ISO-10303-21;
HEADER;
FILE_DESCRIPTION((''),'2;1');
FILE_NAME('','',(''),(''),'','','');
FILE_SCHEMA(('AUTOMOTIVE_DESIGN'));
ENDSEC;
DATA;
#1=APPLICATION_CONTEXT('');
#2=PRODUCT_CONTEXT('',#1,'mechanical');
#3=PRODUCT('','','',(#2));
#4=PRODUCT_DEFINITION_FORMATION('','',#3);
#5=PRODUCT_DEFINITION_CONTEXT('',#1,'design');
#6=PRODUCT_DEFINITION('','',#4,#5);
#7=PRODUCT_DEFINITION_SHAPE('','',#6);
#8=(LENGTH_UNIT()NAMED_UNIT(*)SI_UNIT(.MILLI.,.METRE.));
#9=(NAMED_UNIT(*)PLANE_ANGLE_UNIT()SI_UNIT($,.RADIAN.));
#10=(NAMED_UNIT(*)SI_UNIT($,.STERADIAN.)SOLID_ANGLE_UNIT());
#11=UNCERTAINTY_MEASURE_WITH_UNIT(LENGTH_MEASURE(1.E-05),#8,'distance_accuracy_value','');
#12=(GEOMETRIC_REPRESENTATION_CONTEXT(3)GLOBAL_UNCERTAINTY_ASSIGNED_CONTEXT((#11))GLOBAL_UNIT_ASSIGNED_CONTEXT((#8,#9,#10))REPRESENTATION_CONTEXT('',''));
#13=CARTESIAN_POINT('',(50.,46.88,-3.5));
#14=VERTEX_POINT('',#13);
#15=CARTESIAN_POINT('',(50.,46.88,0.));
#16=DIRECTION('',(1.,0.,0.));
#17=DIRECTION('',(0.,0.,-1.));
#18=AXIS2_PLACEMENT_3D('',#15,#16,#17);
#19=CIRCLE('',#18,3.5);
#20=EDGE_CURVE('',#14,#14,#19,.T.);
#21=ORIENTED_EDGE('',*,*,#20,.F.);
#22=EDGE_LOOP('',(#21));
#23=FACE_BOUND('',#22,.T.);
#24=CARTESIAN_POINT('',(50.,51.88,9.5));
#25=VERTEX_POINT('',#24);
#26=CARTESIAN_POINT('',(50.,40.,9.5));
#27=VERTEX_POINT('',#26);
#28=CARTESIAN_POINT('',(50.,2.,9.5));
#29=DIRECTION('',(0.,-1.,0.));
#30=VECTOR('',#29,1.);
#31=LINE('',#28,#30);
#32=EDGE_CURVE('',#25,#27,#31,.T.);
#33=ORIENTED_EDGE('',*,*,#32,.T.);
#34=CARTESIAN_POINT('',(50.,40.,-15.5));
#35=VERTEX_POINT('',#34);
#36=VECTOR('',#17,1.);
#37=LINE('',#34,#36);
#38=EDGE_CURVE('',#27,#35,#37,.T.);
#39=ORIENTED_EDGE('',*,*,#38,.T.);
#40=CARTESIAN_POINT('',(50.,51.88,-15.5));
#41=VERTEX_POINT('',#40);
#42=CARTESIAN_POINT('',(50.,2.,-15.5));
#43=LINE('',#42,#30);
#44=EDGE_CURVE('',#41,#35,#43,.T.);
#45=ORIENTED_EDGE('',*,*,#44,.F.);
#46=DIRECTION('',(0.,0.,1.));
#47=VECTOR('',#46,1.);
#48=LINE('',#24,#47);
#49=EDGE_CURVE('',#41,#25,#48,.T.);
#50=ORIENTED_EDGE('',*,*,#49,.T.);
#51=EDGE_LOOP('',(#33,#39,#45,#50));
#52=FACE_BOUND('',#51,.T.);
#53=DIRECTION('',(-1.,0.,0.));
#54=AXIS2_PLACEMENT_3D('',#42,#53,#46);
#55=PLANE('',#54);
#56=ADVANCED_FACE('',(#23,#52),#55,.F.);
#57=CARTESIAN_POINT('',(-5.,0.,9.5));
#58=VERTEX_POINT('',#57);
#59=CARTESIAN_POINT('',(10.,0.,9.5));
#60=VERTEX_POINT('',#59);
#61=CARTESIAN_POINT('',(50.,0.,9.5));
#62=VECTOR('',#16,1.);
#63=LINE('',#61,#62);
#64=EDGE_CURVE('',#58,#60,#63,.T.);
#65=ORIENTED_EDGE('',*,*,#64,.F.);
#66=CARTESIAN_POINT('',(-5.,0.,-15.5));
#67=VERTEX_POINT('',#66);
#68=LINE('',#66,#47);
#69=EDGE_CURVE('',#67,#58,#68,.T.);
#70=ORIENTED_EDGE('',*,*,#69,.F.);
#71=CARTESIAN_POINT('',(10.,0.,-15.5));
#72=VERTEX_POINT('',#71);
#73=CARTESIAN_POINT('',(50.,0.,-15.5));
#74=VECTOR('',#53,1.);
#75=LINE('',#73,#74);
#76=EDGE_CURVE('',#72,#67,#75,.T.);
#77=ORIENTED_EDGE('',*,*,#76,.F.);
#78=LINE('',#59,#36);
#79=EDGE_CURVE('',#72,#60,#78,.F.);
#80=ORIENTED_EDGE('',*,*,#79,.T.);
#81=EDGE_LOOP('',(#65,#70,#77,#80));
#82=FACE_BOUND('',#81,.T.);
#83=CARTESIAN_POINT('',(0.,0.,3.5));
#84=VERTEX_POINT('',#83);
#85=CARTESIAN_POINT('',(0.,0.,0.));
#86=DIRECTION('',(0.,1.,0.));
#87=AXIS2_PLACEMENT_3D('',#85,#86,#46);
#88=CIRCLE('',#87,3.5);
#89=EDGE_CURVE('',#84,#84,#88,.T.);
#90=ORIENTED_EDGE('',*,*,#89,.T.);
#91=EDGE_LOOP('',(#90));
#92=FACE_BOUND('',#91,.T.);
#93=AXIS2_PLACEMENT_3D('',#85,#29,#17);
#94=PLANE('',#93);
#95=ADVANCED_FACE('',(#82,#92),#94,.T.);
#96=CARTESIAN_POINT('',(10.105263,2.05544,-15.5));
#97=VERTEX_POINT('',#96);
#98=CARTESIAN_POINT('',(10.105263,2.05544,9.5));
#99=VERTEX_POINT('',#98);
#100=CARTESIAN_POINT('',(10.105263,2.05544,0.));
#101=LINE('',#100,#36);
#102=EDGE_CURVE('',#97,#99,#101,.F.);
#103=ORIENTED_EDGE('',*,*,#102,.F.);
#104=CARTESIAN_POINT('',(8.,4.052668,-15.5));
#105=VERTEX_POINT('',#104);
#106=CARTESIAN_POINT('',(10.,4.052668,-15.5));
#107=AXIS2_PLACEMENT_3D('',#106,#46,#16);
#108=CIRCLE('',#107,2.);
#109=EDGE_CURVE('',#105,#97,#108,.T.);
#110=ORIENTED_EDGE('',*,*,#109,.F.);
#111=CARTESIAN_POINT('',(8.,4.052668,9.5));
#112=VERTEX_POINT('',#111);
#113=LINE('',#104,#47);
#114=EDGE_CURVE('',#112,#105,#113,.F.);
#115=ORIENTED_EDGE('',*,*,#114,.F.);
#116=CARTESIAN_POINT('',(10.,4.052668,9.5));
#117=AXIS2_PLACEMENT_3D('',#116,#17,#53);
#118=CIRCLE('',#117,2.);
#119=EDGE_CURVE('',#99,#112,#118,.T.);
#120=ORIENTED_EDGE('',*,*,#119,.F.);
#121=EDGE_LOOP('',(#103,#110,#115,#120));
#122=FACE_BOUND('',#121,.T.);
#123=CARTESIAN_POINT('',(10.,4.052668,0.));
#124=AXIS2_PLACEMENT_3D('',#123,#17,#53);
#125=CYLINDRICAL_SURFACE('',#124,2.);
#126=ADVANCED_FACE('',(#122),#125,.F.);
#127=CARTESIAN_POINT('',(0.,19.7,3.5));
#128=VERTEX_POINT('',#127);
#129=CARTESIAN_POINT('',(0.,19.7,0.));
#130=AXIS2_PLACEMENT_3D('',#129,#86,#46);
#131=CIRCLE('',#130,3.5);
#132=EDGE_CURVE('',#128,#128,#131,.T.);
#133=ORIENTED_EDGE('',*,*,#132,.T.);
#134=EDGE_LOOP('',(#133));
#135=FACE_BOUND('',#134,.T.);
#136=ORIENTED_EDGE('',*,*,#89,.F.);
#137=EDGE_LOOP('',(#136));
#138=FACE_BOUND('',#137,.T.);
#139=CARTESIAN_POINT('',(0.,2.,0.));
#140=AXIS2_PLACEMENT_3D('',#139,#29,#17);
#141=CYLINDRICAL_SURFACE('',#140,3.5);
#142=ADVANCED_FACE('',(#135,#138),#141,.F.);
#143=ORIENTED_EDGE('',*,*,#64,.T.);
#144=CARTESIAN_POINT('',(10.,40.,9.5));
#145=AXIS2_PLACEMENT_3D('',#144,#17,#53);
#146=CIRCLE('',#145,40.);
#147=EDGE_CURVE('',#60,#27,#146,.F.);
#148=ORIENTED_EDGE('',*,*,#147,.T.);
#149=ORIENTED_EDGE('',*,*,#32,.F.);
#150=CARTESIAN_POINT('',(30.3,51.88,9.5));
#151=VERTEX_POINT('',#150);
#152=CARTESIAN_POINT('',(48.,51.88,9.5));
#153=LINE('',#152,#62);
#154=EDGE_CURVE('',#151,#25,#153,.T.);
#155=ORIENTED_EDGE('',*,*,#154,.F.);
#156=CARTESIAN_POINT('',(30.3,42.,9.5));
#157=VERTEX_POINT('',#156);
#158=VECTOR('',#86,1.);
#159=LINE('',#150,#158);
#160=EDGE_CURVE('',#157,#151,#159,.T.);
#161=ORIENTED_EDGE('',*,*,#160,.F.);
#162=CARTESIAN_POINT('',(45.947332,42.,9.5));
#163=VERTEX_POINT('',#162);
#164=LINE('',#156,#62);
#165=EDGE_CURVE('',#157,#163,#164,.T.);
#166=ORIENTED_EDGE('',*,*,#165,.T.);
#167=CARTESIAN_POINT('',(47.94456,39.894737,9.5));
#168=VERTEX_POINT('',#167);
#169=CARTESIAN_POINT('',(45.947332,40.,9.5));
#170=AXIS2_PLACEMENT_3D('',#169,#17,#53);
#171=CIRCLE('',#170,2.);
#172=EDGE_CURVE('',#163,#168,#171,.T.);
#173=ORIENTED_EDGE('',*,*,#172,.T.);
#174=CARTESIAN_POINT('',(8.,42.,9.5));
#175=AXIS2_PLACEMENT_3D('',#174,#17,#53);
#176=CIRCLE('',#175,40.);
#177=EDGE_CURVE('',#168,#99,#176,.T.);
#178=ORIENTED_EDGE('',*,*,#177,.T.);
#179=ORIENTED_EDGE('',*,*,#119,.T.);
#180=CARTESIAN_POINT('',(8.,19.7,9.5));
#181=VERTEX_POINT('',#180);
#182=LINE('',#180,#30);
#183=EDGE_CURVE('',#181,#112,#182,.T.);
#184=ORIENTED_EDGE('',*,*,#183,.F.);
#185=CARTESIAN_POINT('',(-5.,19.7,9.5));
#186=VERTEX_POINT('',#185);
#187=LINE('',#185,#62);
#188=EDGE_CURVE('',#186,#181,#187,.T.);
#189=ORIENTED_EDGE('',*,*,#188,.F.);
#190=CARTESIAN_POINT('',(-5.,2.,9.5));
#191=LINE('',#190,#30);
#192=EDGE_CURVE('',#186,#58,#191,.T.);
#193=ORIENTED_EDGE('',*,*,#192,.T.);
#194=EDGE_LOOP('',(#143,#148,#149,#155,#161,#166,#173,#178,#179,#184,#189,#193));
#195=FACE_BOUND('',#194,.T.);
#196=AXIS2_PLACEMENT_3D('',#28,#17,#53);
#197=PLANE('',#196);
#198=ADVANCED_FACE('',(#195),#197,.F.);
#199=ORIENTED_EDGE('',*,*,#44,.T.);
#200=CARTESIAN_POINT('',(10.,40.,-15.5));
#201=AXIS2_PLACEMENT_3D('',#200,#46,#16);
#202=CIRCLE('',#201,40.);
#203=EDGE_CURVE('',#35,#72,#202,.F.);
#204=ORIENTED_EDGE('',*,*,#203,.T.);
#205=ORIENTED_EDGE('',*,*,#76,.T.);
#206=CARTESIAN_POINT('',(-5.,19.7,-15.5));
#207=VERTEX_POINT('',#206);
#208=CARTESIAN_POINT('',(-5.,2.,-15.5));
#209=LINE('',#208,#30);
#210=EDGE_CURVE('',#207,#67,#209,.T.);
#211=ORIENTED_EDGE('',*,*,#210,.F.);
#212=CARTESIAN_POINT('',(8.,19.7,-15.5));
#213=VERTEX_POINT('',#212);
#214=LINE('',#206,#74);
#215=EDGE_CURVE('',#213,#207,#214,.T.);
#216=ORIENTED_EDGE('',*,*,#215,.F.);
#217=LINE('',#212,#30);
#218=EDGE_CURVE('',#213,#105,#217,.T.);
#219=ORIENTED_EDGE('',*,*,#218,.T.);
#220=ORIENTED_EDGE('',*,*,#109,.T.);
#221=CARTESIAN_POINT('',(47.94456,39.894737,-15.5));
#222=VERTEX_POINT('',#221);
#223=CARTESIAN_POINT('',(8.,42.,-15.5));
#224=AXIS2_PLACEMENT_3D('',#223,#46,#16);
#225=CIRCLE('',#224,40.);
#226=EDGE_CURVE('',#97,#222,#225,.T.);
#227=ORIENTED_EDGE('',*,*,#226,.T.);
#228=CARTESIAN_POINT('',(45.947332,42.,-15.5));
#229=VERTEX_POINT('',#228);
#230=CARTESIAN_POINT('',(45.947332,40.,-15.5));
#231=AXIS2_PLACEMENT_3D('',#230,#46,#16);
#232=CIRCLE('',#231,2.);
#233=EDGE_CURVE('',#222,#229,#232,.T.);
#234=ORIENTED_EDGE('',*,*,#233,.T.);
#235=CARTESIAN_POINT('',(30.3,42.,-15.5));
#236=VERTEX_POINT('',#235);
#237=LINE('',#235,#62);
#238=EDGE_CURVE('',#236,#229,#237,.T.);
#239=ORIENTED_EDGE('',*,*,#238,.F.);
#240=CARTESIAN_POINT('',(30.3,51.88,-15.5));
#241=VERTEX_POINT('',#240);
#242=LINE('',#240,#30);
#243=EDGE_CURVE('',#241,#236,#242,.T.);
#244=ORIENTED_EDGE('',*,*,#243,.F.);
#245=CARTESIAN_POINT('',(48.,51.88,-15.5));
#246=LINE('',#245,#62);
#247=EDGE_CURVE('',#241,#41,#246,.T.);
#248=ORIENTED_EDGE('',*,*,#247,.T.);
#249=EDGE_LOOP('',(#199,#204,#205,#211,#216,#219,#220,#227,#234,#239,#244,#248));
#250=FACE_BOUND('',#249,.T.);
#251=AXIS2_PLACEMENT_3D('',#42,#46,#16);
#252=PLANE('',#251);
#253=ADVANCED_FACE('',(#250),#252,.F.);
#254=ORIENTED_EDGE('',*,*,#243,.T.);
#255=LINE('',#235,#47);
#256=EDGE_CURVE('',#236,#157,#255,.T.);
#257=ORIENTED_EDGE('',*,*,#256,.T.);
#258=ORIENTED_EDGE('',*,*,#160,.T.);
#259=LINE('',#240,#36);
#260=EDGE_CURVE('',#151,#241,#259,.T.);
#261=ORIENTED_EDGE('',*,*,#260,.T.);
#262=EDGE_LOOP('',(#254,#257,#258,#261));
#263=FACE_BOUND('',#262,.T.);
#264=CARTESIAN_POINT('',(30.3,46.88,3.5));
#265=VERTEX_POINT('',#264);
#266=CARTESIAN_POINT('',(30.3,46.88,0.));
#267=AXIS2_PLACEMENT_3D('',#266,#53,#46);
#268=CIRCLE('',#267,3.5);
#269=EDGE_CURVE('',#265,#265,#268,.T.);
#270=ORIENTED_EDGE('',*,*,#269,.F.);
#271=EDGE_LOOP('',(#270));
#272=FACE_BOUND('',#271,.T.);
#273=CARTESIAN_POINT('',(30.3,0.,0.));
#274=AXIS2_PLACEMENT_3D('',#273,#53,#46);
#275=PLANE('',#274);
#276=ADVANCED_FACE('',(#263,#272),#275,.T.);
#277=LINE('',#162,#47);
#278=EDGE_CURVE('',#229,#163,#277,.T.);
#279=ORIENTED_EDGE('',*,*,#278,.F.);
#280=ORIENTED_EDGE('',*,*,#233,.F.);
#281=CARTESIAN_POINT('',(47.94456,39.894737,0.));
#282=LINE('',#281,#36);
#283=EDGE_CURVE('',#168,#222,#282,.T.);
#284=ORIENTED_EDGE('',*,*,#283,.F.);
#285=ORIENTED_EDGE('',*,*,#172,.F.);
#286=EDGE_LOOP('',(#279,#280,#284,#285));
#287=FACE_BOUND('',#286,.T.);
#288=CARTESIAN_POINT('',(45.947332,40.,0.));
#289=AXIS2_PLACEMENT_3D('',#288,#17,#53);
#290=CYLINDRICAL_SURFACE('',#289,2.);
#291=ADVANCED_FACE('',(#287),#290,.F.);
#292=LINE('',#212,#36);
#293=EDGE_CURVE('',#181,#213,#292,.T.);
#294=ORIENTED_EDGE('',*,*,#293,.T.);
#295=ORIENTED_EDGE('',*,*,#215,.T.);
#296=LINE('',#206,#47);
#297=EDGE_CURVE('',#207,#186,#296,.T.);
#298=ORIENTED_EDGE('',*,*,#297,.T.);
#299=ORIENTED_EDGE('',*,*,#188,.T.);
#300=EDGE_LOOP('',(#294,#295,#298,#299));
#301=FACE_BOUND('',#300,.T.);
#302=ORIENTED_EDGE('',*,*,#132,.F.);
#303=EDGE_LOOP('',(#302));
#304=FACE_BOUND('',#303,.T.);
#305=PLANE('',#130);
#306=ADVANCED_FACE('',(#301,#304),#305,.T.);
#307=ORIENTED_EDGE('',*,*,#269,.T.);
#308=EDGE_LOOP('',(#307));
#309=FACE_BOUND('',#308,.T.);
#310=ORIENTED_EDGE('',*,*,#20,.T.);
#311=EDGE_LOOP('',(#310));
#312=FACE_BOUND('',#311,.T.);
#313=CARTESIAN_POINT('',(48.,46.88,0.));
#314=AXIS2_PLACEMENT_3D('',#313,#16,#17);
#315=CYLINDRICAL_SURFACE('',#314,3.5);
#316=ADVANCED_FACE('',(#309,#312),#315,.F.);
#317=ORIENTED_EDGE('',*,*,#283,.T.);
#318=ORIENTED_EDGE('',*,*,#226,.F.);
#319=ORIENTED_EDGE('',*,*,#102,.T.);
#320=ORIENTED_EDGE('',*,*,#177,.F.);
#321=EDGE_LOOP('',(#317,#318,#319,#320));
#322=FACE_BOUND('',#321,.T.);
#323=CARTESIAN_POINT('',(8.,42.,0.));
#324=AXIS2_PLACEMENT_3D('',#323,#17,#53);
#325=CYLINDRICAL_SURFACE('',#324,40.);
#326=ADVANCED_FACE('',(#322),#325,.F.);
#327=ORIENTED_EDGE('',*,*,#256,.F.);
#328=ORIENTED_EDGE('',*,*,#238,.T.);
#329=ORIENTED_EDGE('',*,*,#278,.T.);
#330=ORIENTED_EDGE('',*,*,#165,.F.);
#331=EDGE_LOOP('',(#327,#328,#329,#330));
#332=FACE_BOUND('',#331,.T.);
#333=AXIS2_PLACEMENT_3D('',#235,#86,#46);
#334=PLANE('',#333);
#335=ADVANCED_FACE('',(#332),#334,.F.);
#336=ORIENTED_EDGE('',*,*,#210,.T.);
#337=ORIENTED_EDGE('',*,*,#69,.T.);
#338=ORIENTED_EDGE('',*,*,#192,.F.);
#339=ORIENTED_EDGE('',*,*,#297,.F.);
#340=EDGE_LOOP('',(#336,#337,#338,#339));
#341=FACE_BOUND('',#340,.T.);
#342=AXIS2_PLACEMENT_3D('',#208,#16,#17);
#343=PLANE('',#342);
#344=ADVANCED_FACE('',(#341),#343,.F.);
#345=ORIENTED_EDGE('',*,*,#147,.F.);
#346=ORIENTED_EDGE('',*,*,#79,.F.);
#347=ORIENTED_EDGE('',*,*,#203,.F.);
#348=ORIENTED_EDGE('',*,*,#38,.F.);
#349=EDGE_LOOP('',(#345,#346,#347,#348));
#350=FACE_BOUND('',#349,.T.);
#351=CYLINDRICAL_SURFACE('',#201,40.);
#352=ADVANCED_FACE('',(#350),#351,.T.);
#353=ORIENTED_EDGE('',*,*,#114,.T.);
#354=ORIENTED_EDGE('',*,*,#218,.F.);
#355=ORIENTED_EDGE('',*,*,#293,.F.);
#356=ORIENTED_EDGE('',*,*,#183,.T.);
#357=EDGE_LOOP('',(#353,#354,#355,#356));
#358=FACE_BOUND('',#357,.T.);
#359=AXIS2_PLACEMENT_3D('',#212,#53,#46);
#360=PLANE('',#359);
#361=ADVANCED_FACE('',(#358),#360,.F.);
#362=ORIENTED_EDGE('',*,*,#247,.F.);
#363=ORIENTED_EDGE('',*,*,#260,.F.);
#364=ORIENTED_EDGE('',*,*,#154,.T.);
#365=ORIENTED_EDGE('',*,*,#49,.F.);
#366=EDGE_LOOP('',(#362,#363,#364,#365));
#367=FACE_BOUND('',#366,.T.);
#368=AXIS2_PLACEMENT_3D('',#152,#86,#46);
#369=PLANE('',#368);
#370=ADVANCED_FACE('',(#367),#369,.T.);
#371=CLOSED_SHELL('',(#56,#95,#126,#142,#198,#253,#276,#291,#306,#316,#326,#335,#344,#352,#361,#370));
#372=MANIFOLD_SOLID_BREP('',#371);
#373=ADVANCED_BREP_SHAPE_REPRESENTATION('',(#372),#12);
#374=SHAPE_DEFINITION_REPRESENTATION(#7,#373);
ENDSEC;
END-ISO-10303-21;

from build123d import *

# Parameters (mm, degrees)
SKETCH1_W           = 55
SKETCH1_H           = 25
SKETCH1_R           = 3.5
BOSS_EXTRUDE1_DEPTH = 2
SKETCH2_W           = 25
SKETCH2_H           = 51.88
SKETCH2_R           = 3.5
BOSS_EXTRUDE2_DEPTH = 2
FILLET2_R           = 40
SKETCH5_W           = 13
SKETCH5_H           = 25
SKETCH5_R           = 3.5
BOSS_EXTRUDE5_DEPTH = 17.7
SKETCH6_W           = 25
SKETCH6_H           = 9.88
SKETCH6_R           = 3.5
BOSS_EXTRUDE6_DEPTH = 17.7
FILLET3_R           = 2
FILLET4_R           = 2


with BuildPart() as part:
    # Sketch1 → Boss-Extrude1 (new body)
    with BuildSketch(Plane(origin=(0, 0, 0), x_dir=(1, 0, 0), z_dir=(0, 1, 0))):
        with Locations((22.5, 3)):
            Rectangle(SKETCH1_W, SKETCH1_H)
        with Locations(Location((0, 0, 0), (0, 0, 270))):
            Circle(SKETCH1_R, mode=Mode.SUBTRACT)
    extrude(amount=BOSS_EXTRUDE1_DEPTH)

    # Sketch2 → Boss-Extrude2 (add)
    with BuildSketch(Plane(origin=(50, 0, 0), x_dir=(0, 0, -1), z_dir=(1, 0, 0))):
        with Locations((3, 25.94)):
            Rectangle(SKETCH2_W, SKETCH2_H)
        with Locations((0, 46.88)):
            Circle(SKETCH2_R, mode=Mode.SUBTRACT)
    extrude(amount=-BOSS_EXTRUDE2_DEPTH)

    # Fillet2
    fillet2_edges = [part.edges().sort_by_distance(p)[0] for p in [
        (48, 2, -3),
        (50, 0, -3),
    ]]
    fillet(fillet2_edges, radius=FILLET2_R)

    # Sketch5 → Boss-Extrude5 (add)
    with BuildSketch(Plane(origin=(0, 2, 0), x_dir=(1, 0, 0), z_dir=(0, 1, 0))):
        with Locations((1.5, 3)):
            Rectangle(SKETCH5_W, SKETCH5_H)
        with Locations(Location((0, 0, 0), (0, 0, 270))):
            Circle(SKETCH5_R, mode=Mode.SUBTRACT)
    extrude(amount=BOSS_EXTRUDE5_DEPTH)

    # Sketch6 → Boss-Extrude6 (add)
    with BuildSketch(Plane.ZY.offset(-48)):
        with Locations((-3, 46.94)):
            Rectangle(SKETCH6_W, SKETCH6_H)
        with Locations(Location((0, 46.88, 0), (0, 0, 180))):
            Circle(SKETCH6_R, mode=Mode.SUBTRACT)
    extrude(amount=BOSS_EXTRUDE6_DEPTH)

    # Fillet3
    fillet3_edges = [part.edges().sort_by_distance(p)[0] for p in [
        (48, 42, -3),
    ]]
    fillet(fillet3_edges, radius=FILLET3_R)

    # Fillet4
    fillet4_edges = [part.edges().sort_by_distance(p)[0] for p in [
        (8, 2, -3),
    ]]
    fillet(fillet4_edges, radius=FILLET4_R)


solid = part.part
